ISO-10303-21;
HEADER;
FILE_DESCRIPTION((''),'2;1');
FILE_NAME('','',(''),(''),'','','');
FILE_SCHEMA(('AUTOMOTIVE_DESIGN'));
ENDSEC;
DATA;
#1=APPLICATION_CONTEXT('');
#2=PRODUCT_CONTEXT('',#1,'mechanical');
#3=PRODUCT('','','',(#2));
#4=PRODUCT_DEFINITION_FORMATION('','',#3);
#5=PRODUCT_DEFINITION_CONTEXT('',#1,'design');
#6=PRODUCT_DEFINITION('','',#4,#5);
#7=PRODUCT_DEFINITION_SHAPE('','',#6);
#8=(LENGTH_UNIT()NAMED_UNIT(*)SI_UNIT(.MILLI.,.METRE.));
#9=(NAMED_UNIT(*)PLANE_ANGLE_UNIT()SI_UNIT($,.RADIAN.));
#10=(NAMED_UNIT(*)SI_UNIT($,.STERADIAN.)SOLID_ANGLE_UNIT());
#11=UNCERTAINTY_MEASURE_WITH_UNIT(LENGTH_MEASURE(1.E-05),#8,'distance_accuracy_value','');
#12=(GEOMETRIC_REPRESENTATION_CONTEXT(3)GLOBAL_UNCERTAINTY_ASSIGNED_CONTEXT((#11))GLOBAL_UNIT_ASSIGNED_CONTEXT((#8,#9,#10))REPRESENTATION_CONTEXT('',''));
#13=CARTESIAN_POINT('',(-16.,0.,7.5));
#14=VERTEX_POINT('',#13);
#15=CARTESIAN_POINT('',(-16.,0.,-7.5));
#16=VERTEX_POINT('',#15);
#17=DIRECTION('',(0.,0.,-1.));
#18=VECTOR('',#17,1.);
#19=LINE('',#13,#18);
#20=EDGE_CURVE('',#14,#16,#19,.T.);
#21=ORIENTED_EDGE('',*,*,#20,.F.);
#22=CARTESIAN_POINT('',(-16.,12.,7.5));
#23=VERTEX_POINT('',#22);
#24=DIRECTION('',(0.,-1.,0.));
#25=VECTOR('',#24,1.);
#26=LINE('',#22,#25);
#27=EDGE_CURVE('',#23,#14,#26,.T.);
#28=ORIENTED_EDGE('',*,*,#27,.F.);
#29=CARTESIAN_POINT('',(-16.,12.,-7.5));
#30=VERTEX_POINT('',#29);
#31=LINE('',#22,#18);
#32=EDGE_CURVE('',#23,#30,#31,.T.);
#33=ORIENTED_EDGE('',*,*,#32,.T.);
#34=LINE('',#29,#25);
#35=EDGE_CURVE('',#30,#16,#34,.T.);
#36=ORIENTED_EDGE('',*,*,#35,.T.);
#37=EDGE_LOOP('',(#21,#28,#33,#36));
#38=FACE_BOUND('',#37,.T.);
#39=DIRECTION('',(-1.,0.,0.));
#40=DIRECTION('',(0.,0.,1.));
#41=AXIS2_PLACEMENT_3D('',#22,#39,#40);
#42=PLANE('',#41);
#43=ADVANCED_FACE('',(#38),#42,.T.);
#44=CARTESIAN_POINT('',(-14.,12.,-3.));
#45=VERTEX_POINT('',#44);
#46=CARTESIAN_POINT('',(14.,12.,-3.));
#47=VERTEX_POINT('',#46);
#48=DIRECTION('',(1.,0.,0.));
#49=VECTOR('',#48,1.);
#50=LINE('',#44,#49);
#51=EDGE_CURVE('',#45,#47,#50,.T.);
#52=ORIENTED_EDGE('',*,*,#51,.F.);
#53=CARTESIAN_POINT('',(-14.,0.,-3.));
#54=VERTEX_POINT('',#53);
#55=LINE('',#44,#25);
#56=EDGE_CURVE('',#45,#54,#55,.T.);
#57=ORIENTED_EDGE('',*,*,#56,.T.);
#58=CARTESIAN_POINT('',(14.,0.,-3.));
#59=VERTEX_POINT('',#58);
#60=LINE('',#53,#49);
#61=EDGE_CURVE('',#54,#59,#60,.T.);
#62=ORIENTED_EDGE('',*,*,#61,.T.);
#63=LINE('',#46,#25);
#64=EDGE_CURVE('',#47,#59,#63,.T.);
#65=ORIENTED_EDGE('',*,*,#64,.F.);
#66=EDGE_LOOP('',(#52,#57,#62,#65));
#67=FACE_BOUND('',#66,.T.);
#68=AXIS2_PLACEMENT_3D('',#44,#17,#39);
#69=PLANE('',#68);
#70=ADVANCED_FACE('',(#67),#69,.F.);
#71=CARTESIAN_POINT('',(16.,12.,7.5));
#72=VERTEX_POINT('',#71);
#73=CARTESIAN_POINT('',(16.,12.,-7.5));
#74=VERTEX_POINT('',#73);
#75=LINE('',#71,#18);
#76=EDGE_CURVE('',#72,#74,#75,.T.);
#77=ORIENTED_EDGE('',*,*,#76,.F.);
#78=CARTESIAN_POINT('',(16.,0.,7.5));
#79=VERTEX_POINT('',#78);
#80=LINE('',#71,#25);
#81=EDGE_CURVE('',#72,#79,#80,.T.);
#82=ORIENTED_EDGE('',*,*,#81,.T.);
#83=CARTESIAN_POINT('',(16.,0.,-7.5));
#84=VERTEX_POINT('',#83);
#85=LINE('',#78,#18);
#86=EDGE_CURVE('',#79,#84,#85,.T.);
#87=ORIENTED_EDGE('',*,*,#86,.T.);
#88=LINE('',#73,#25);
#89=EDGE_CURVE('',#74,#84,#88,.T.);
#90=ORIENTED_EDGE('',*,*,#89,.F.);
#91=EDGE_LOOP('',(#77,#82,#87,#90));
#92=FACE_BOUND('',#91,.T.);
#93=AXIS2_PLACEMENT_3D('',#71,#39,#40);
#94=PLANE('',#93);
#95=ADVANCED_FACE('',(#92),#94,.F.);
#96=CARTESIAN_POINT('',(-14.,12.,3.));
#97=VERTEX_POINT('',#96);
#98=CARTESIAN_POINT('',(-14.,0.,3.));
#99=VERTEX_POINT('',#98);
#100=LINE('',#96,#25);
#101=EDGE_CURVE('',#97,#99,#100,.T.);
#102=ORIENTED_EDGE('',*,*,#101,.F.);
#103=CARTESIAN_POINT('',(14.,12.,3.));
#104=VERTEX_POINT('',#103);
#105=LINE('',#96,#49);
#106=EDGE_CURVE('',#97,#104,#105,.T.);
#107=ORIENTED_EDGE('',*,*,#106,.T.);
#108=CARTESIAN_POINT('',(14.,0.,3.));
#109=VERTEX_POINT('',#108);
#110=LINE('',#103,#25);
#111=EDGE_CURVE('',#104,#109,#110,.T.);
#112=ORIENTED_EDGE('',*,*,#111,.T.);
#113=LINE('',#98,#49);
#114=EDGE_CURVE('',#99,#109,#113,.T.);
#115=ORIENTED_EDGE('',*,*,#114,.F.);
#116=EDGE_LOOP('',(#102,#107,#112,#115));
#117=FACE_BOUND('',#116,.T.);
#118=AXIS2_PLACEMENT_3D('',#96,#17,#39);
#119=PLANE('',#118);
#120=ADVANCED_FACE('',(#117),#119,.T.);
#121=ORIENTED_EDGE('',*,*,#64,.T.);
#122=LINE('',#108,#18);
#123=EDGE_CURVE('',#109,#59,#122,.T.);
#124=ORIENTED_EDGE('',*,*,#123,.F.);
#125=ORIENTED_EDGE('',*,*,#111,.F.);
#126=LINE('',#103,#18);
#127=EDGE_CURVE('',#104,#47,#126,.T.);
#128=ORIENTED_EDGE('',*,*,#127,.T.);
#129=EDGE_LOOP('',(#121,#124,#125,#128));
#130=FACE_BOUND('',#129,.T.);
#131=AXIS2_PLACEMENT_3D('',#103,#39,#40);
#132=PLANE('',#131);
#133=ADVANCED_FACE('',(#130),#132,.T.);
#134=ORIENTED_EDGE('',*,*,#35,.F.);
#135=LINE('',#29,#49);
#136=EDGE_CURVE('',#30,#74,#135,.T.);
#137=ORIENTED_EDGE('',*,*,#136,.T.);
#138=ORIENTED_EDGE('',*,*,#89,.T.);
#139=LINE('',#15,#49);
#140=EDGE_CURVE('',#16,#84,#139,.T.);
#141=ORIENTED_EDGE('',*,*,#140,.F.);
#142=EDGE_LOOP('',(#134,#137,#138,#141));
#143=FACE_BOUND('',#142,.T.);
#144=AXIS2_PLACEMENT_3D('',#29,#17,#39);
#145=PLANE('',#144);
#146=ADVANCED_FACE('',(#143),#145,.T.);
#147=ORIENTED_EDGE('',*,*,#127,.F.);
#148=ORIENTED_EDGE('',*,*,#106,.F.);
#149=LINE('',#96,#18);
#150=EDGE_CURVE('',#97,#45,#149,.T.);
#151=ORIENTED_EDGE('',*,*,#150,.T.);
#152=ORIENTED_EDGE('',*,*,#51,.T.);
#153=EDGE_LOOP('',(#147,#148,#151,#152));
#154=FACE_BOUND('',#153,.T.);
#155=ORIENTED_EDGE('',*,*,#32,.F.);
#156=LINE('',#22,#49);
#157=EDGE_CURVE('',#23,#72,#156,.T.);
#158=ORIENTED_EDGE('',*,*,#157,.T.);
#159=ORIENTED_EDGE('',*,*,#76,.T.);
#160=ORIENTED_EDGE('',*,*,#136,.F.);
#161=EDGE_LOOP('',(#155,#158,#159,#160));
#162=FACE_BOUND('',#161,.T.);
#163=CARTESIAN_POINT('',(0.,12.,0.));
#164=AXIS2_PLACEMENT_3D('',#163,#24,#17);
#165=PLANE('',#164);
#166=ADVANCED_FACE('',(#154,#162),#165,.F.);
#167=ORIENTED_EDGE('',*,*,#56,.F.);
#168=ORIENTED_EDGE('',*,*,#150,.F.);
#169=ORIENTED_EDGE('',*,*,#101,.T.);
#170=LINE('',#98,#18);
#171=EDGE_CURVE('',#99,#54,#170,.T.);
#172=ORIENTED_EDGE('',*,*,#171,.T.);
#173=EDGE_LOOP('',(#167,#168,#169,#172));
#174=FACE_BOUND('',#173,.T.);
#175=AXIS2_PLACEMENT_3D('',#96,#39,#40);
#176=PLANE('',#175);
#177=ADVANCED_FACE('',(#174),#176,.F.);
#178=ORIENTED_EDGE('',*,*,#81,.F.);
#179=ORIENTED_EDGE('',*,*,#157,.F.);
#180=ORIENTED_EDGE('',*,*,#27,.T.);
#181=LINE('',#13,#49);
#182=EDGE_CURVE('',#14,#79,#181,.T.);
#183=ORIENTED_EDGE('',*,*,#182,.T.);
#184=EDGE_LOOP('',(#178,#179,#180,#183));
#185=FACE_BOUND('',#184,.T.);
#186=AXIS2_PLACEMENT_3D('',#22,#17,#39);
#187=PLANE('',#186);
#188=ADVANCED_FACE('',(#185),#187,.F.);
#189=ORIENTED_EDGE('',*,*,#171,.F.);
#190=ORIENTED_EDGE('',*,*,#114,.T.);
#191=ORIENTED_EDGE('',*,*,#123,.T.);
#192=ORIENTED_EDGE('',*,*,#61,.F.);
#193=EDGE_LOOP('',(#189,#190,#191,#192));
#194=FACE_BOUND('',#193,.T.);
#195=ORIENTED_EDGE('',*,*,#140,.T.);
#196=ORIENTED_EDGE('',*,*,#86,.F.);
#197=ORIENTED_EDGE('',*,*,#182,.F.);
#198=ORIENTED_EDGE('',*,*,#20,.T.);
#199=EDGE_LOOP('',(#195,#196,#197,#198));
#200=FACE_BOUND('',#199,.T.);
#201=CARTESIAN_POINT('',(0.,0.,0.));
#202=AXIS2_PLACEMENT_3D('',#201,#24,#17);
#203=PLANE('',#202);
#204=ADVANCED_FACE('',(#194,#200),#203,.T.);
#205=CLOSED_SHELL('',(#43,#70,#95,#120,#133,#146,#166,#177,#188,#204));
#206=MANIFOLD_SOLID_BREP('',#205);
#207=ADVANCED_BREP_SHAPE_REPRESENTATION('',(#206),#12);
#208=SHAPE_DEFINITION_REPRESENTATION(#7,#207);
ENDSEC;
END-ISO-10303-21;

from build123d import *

# Parameters (mm, degrees)
SKETCH1_W           = 32
SKETCH1_H           = 15
BOSS_EXTRUDE1_DEPTH = 12
SKETCH1_3_W         = 28
SKETCH1_3_H         = 6
CUT_EXTRUDE1_DEPTH  = 12


with BuildPart() as part:
    # Sketch1 → Boss-Extrude1 (new body)
    with BuildSketch(Plane(origin=(0, 0, 0), x_dir=(1, 0, 0), z_dir=(0, 1, 0))):
        Rectangle(SKETCH1_W, SKETCH1_H)
    extrude(amount=BOSS_EXTRUDE1_DEPTH)

    # Sketch1<3> → Cut-Extrude1 (cut)
    with BuildSketch(Plane(origin=(0, 0, 0), x_dir=(1, 0, 0), z_dir=(0, 1, 0))):
        Rectangle(SKETCH1_3_W, SKETCH1_3_H)
    extrude(amount=CUT_EXTRUDE1_DEPTH, mode=Mode.SUBTRACT)


solid = part.part
